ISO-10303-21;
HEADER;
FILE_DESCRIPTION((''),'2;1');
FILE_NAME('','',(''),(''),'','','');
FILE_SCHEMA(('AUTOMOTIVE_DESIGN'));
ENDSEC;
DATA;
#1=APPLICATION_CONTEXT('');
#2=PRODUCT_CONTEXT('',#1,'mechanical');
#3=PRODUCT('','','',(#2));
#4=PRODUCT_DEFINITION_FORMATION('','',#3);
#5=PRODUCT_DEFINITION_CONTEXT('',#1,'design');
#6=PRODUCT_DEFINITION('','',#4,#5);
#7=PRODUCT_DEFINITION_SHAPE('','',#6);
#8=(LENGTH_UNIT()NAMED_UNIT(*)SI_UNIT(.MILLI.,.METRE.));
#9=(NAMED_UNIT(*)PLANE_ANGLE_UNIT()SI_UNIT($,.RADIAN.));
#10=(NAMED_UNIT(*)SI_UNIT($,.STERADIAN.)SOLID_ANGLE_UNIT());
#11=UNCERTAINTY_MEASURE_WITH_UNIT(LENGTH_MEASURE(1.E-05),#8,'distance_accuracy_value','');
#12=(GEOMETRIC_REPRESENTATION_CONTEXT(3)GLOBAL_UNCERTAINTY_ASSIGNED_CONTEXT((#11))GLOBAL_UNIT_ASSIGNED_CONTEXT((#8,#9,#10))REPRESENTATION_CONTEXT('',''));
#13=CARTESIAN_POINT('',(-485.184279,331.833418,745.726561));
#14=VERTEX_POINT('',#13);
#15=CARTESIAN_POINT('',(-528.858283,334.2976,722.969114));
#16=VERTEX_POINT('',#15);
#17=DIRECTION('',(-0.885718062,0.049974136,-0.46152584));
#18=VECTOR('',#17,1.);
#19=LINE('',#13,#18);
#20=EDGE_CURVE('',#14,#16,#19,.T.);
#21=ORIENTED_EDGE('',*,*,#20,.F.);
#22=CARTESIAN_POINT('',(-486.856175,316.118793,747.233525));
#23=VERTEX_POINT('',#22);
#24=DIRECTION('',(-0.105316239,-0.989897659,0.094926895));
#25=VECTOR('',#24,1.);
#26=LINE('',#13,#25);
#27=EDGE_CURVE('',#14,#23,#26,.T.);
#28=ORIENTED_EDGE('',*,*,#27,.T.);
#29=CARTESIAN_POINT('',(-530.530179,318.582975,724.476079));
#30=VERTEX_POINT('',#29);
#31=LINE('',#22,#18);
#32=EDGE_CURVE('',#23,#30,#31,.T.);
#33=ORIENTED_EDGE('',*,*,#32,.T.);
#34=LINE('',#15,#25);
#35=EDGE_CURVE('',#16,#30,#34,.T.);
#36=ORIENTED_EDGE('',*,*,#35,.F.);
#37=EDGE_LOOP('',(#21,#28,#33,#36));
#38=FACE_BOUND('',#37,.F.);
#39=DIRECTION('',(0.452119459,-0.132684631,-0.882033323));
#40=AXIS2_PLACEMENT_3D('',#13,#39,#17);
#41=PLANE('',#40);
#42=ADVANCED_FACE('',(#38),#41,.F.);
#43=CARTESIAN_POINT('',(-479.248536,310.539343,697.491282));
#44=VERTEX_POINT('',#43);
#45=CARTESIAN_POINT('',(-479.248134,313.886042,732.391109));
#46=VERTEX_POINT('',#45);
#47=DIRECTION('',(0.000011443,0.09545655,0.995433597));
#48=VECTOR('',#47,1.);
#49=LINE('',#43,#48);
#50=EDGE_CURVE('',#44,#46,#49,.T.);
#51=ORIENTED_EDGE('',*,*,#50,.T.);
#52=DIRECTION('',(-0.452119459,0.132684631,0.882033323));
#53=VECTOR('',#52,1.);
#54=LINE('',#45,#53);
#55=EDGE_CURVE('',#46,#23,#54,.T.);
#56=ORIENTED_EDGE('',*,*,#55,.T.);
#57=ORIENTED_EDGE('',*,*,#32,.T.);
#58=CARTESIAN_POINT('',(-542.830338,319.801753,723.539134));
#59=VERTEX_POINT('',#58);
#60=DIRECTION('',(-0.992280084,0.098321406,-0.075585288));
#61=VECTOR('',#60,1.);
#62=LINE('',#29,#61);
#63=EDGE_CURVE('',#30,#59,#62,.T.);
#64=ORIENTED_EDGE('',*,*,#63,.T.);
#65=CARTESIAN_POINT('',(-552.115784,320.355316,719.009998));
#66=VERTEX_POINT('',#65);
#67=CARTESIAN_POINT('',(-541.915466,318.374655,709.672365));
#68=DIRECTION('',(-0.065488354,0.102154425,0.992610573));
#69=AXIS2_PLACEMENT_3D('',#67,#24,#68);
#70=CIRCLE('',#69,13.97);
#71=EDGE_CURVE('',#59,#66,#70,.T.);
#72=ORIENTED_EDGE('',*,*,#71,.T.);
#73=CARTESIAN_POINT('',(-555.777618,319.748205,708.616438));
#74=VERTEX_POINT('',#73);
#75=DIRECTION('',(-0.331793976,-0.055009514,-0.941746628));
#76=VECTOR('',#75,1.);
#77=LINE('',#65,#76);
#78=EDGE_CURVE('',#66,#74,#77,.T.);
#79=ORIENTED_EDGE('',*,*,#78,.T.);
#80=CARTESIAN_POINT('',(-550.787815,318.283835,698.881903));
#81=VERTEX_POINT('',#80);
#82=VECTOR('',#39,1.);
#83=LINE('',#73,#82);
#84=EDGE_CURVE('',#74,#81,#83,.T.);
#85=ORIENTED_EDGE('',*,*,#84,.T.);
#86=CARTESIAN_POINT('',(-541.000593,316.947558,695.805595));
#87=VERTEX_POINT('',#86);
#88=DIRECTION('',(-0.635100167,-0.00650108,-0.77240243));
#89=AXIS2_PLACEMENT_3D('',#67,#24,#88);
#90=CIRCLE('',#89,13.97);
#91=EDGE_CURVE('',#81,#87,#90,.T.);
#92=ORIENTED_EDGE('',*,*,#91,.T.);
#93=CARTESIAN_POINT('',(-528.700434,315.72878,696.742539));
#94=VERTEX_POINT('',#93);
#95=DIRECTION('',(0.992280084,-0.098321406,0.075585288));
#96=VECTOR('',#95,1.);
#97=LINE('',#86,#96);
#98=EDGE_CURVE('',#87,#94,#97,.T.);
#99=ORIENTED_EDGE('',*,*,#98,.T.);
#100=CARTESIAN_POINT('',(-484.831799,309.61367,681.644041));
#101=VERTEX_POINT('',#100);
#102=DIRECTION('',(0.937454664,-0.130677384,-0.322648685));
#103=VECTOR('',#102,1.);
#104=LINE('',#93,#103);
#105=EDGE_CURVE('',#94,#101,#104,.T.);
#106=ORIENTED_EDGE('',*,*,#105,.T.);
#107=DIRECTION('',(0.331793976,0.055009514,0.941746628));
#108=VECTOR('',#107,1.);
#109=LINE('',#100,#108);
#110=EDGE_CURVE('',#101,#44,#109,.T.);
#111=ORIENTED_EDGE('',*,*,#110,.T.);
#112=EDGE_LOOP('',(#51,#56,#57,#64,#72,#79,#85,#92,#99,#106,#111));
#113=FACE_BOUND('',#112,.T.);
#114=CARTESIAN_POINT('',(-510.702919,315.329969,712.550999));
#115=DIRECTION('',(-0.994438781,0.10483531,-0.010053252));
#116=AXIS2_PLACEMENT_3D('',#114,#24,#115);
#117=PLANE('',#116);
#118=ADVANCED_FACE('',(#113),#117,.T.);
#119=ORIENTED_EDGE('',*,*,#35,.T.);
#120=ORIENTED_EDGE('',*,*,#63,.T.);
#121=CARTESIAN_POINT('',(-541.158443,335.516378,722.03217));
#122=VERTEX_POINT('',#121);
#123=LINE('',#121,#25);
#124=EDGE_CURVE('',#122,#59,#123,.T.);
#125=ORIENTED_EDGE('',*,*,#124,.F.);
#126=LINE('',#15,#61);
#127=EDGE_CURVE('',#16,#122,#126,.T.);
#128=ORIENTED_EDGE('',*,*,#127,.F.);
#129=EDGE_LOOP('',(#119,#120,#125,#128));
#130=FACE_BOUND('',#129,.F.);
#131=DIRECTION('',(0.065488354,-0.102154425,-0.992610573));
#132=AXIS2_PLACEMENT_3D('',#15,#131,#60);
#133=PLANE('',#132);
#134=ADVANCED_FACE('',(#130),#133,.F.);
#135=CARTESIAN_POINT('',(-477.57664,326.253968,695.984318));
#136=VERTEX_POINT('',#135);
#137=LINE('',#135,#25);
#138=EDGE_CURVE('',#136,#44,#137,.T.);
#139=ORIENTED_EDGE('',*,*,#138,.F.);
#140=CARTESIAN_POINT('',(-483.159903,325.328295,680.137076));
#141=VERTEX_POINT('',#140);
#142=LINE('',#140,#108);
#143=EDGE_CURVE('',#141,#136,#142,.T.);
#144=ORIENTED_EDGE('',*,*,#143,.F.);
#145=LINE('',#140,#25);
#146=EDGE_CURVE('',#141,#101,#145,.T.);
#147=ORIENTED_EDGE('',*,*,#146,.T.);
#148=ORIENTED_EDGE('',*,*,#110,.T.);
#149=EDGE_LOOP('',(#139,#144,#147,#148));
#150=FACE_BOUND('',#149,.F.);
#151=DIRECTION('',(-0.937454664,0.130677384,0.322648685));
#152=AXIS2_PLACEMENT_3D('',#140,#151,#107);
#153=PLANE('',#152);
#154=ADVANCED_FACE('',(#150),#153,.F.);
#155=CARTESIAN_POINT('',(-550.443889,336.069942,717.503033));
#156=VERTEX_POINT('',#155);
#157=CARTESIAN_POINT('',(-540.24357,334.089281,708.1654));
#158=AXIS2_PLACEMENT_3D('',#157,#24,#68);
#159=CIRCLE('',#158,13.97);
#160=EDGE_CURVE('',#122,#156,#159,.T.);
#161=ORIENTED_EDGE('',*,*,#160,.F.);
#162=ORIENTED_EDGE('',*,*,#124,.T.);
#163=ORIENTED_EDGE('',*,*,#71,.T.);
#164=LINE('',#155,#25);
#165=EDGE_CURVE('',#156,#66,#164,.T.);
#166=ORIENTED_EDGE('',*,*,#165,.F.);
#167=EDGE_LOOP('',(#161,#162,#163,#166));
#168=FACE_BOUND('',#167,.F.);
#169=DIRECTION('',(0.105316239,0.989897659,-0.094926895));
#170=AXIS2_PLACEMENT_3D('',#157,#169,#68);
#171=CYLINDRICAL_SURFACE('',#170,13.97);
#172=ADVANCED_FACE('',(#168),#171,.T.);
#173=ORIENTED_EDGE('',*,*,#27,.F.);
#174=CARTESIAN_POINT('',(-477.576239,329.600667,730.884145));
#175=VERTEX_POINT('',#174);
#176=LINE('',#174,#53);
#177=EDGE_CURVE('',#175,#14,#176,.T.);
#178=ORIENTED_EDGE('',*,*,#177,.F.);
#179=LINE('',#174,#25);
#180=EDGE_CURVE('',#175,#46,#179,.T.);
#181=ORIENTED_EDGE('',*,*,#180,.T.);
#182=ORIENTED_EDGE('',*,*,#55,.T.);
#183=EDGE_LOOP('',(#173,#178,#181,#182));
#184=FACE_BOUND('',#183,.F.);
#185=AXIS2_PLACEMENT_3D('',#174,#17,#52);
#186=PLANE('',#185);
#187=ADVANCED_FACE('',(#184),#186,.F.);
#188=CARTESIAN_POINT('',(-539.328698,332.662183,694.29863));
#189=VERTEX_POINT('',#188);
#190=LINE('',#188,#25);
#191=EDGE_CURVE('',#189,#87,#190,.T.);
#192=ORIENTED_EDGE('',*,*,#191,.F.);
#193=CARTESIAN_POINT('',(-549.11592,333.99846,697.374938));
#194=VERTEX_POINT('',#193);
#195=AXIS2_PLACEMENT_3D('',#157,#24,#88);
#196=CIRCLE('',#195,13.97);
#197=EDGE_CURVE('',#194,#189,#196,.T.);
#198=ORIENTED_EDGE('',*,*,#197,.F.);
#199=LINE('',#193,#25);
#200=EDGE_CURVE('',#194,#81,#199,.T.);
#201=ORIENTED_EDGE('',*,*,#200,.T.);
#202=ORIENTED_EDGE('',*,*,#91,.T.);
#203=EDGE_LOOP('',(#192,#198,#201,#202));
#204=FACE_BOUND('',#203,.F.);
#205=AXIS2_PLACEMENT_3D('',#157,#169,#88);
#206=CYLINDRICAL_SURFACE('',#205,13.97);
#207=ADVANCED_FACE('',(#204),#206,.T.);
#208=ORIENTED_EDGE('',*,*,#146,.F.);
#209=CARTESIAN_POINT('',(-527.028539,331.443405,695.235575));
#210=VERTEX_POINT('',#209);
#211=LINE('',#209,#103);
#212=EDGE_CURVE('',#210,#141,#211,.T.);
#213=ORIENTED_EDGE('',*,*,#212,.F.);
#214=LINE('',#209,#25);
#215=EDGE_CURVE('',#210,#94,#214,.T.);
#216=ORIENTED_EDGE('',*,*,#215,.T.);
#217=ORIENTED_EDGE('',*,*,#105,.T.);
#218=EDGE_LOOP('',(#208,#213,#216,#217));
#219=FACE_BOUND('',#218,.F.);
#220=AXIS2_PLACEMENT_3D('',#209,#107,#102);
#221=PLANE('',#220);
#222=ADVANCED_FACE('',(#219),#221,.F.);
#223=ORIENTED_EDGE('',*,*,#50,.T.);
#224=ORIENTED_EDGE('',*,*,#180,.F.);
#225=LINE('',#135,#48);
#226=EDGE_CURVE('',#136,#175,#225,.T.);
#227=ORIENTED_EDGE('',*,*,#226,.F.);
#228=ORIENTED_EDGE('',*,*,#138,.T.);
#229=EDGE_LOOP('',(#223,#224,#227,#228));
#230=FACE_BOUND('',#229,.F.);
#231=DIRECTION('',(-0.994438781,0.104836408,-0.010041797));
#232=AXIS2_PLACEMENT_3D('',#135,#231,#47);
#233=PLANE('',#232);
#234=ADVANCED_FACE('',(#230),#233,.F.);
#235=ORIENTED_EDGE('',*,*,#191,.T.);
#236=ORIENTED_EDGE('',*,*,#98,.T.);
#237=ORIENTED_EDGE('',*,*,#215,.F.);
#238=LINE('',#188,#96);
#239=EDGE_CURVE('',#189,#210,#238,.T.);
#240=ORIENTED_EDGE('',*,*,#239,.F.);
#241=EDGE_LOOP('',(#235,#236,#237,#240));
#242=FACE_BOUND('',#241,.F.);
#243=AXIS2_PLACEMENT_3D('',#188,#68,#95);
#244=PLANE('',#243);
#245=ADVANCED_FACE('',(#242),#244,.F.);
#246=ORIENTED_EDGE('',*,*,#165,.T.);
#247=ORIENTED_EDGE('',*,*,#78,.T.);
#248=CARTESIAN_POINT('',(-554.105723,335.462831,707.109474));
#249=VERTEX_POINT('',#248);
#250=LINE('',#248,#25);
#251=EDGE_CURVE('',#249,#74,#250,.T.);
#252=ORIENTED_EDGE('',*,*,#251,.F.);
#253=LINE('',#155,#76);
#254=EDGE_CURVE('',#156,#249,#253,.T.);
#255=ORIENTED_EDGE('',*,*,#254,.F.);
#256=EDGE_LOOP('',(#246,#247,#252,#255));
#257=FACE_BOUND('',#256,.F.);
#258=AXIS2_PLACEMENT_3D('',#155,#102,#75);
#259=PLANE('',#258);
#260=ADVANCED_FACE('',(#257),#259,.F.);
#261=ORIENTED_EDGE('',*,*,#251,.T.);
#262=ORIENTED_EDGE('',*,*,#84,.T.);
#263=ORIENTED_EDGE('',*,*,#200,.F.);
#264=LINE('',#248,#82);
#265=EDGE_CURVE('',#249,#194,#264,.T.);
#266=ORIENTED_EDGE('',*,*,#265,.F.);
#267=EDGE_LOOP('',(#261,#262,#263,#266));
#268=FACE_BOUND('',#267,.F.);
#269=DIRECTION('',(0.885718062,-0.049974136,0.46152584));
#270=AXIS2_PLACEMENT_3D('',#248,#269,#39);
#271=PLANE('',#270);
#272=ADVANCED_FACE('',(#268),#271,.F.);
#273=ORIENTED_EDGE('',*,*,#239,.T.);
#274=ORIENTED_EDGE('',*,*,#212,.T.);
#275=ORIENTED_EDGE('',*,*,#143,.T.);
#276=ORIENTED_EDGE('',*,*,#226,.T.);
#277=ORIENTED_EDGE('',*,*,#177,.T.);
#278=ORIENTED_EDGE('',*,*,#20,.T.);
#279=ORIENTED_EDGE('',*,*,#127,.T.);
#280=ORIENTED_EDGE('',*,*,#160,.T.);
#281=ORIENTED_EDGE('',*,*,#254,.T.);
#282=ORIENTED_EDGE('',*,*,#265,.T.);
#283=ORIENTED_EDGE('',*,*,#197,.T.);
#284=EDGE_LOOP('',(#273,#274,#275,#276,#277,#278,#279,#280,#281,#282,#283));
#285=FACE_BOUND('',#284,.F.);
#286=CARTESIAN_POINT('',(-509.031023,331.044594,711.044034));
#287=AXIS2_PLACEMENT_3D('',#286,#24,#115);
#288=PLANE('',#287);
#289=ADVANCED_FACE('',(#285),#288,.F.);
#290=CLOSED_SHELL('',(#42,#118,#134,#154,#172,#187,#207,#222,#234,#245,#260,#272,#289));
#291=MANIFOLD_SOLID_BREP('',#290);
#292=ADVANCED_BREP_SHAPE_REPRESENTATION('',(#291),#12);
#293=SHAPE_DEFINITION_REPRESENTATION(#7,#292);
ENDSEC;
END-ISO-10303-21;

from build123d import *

# Parameters (mm, degrees)
BASE_BODY_DEPTH      = 7.9375
BASE_BODY_DEPTH_BACK = 7.9375


with BuildPart() as part:
    # Sketch36 → base body (new, two sides: drawn at the far end of the back side and taken through both)
    with BuildSketch(Plane(origin=(20.921737804, 196.649439362, -18.857828861), x_dir=(-0.9944387813726006, 0.10483531003395151, -0.010053251825273378), z_dir=(-0.10531623854931917, -0.9898976586232768, 0.09492689476632808)).offset(-BASE_BODY_DEPTH_BACK)):
        with BuildLine():
            Line((502.126358952, -759.009489392), (509.776945736, -773.997260344))
            Line((509.776945736, -773.997260344), (553.695188941, -751.57896131))
            Line((553.695188941, -751.57896131), (566.064134599, -750.762637468))
            ThreePointArc((566.064134599, -750.762637468), (571.160491163, -749.431075239), (575.401507546, -746.307025266))
            Line((575.401507546, -746.307025266), (579.083820389, -735.902974553))
            Line((579.083820389, -735.902974553), (574.066112376, -726.073106528))
            ThreePointArc((574.066112376, -726.073106528), (569.451308261, -723.533521683), (564.224157475, -722.883288763))
            Line((564.224157475, -722.883288763), (551.855211817, -723.699612605))
            Line((551.855211817, -723.699612605), (507.741248901, -708.086327289))
            Line((507.741248901, -708.086327289), (502.126762386, -723.949564583))
            Line((502.126762386, -723.949564583), (502.126358952, -759.009489392))
        make_face()
    extrude(amount=BASE_BODY_DEPTH + BASE_BODY_DEPTH_BACK)


solid = part.part
